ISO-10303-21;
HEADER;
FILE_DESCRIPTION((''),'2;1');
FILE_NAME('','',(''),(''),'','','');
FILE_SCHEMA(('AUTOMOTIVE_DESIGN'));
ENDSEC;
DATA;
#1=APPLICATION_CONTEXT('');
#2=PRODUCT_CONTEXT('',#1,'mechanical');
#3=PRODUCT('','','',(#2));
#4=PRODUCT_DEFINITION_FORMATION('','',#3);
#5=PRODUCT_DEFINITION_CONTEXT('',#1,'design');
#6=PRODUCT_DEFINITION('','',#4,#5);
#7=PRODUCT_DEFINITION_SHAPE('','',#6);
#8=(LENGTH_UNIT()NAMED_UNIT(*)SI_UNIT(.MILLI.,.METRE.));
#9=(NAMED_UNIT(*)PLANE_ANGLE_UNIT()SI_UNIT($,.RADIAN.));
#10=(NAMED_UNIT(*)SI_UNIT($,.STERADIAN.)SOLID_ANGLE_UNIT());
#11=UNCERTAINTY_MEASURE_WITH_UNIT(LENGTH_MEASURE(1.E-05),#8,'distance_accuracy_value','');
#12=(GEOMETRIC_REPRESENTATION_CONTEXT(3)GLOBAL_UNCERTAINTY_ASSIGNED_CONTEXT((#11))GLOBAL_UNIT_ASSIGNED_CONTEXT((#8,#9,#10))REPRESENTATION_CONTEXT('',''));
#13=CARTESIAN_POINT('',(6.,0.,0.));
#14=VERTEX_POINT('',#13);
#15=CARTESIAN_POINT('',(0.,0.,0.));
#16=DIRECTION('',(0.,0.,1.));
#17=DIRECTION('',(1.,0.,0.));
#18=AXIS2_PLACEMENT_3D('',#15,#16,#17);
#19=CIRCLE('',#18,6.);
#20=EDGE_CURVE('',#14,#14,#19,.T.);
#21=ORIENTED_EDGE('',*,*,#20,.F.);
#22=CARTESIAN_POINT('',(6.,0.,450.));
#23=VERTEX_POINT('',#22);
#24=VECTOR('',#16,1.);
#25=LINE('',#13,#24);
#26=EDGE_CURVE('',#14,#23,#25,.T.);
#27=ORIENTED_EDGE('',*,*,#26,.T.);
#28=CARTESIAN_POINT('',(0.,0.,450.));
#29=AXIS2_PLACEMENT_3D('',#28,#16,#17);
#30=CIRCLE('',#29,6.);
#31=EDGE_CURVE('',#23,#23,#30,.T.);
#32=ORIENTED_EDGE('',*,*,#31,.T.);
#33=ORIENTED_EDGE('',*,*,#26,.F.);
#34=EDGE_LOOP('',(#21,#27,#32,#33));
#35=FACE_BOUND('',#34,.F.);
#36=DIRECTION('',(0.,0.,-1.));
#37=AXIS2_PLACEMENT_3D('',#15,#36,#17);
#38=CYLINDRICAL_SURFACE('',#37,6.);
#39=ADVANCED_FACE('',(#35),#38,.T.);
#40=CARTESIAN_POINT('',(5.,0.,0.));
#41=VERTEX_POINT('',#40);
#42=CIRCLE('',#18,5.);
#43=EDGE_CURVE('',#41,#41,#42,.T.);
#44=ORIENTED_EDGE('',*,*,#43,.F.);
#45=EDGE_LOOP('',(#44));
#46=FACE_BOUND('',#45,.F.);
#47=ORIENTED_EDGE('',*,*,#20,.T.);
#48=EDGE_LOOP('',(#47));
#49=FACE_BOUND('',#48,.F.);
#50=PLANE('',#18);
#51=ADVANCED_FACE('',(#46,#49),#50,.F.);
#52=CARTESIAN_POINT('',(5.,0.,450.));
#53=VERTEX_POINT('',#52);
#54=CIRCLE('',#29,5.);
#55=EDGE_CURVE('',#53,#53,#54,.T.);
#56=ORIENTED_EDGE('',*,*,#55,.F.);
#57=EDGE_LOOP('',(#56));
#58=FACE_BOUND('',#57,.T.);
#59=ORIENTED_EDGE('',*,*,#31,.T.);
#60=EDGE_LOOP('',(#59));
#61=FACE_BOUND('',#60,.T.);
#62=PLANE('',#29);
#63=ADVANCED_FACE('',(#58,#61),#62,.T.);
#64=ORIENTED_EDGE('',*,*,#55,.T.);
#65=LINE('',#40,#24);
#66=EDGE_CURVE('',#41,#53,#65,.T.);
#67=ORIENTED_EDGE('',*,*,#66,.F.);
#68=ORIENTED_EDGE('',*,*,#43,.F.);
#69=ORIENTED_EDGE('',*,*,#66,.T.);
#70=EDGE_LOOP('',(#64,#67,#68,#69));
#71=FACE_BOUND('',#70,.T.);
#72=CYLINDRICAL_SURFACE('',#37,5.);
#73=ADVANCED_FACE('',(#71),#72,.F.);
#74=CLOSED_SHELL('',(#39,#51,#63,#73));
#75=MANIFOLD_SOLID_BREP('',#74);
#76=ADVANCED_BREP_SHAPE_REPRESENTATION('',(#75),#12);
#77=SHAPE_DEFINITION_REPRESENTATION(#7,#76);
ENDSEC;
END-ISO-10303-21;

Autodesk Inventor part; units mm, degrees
ref_plane "YZ Plane" through (0, 0, 0) normal (1, 0, 0) x (0, 1, 0)
ref_plane "XZ Plane" through (0, 0, 0) normal (0, 1, 0) x (-1, 0, 0)
ref_plane "XY Plane" through (0, 0, 0) normal (0, 0, 1) x (1, 0, 0)
sketch "Sketch1" plane through (0, 0, 0) normal (0, 0, 1) x (1, 0, 0)
  circle A0 centre (0, 0) radius 6
  circle A1 centre (0, 0) radius 5
  dimension "d0" = 12
  dimension "d1" = 10
extrude "Extrusion1" add sketch "Sketch1" along normal blind 450
equation "\"d2\" = LoadpipeLength"
equation "\"MountToMotorCenter\" = 0"
equation "\"ArmPosition\" = 5deg"
equation "\"LoadpipeLength\" = 450"
equation "\"BatteryWidth\" = 62"
equation "\"BatteryHeight\" = 76"
equation "\"ThicknessBodyOuterPlate\" = 2"
equation "\"ThicknessBodyCenterPlate\" = 2"
equation "\"ThicknessLegLoadpipePlate\" = 2"
equation "\"ThicknessBatteryTray\" = 2"
equation "\"ThicknessBatteryTopTray\" = 1"
equation "\"LandingGearStabilityBar\" = 525"
equation "\"StartAngleArm\" = 45deg"
equation "\"MotorMountCenter\" = 71.5"
properties part number "Tube_12x1x_<LoadpipeLength>_CFRP" material "CFRP"
